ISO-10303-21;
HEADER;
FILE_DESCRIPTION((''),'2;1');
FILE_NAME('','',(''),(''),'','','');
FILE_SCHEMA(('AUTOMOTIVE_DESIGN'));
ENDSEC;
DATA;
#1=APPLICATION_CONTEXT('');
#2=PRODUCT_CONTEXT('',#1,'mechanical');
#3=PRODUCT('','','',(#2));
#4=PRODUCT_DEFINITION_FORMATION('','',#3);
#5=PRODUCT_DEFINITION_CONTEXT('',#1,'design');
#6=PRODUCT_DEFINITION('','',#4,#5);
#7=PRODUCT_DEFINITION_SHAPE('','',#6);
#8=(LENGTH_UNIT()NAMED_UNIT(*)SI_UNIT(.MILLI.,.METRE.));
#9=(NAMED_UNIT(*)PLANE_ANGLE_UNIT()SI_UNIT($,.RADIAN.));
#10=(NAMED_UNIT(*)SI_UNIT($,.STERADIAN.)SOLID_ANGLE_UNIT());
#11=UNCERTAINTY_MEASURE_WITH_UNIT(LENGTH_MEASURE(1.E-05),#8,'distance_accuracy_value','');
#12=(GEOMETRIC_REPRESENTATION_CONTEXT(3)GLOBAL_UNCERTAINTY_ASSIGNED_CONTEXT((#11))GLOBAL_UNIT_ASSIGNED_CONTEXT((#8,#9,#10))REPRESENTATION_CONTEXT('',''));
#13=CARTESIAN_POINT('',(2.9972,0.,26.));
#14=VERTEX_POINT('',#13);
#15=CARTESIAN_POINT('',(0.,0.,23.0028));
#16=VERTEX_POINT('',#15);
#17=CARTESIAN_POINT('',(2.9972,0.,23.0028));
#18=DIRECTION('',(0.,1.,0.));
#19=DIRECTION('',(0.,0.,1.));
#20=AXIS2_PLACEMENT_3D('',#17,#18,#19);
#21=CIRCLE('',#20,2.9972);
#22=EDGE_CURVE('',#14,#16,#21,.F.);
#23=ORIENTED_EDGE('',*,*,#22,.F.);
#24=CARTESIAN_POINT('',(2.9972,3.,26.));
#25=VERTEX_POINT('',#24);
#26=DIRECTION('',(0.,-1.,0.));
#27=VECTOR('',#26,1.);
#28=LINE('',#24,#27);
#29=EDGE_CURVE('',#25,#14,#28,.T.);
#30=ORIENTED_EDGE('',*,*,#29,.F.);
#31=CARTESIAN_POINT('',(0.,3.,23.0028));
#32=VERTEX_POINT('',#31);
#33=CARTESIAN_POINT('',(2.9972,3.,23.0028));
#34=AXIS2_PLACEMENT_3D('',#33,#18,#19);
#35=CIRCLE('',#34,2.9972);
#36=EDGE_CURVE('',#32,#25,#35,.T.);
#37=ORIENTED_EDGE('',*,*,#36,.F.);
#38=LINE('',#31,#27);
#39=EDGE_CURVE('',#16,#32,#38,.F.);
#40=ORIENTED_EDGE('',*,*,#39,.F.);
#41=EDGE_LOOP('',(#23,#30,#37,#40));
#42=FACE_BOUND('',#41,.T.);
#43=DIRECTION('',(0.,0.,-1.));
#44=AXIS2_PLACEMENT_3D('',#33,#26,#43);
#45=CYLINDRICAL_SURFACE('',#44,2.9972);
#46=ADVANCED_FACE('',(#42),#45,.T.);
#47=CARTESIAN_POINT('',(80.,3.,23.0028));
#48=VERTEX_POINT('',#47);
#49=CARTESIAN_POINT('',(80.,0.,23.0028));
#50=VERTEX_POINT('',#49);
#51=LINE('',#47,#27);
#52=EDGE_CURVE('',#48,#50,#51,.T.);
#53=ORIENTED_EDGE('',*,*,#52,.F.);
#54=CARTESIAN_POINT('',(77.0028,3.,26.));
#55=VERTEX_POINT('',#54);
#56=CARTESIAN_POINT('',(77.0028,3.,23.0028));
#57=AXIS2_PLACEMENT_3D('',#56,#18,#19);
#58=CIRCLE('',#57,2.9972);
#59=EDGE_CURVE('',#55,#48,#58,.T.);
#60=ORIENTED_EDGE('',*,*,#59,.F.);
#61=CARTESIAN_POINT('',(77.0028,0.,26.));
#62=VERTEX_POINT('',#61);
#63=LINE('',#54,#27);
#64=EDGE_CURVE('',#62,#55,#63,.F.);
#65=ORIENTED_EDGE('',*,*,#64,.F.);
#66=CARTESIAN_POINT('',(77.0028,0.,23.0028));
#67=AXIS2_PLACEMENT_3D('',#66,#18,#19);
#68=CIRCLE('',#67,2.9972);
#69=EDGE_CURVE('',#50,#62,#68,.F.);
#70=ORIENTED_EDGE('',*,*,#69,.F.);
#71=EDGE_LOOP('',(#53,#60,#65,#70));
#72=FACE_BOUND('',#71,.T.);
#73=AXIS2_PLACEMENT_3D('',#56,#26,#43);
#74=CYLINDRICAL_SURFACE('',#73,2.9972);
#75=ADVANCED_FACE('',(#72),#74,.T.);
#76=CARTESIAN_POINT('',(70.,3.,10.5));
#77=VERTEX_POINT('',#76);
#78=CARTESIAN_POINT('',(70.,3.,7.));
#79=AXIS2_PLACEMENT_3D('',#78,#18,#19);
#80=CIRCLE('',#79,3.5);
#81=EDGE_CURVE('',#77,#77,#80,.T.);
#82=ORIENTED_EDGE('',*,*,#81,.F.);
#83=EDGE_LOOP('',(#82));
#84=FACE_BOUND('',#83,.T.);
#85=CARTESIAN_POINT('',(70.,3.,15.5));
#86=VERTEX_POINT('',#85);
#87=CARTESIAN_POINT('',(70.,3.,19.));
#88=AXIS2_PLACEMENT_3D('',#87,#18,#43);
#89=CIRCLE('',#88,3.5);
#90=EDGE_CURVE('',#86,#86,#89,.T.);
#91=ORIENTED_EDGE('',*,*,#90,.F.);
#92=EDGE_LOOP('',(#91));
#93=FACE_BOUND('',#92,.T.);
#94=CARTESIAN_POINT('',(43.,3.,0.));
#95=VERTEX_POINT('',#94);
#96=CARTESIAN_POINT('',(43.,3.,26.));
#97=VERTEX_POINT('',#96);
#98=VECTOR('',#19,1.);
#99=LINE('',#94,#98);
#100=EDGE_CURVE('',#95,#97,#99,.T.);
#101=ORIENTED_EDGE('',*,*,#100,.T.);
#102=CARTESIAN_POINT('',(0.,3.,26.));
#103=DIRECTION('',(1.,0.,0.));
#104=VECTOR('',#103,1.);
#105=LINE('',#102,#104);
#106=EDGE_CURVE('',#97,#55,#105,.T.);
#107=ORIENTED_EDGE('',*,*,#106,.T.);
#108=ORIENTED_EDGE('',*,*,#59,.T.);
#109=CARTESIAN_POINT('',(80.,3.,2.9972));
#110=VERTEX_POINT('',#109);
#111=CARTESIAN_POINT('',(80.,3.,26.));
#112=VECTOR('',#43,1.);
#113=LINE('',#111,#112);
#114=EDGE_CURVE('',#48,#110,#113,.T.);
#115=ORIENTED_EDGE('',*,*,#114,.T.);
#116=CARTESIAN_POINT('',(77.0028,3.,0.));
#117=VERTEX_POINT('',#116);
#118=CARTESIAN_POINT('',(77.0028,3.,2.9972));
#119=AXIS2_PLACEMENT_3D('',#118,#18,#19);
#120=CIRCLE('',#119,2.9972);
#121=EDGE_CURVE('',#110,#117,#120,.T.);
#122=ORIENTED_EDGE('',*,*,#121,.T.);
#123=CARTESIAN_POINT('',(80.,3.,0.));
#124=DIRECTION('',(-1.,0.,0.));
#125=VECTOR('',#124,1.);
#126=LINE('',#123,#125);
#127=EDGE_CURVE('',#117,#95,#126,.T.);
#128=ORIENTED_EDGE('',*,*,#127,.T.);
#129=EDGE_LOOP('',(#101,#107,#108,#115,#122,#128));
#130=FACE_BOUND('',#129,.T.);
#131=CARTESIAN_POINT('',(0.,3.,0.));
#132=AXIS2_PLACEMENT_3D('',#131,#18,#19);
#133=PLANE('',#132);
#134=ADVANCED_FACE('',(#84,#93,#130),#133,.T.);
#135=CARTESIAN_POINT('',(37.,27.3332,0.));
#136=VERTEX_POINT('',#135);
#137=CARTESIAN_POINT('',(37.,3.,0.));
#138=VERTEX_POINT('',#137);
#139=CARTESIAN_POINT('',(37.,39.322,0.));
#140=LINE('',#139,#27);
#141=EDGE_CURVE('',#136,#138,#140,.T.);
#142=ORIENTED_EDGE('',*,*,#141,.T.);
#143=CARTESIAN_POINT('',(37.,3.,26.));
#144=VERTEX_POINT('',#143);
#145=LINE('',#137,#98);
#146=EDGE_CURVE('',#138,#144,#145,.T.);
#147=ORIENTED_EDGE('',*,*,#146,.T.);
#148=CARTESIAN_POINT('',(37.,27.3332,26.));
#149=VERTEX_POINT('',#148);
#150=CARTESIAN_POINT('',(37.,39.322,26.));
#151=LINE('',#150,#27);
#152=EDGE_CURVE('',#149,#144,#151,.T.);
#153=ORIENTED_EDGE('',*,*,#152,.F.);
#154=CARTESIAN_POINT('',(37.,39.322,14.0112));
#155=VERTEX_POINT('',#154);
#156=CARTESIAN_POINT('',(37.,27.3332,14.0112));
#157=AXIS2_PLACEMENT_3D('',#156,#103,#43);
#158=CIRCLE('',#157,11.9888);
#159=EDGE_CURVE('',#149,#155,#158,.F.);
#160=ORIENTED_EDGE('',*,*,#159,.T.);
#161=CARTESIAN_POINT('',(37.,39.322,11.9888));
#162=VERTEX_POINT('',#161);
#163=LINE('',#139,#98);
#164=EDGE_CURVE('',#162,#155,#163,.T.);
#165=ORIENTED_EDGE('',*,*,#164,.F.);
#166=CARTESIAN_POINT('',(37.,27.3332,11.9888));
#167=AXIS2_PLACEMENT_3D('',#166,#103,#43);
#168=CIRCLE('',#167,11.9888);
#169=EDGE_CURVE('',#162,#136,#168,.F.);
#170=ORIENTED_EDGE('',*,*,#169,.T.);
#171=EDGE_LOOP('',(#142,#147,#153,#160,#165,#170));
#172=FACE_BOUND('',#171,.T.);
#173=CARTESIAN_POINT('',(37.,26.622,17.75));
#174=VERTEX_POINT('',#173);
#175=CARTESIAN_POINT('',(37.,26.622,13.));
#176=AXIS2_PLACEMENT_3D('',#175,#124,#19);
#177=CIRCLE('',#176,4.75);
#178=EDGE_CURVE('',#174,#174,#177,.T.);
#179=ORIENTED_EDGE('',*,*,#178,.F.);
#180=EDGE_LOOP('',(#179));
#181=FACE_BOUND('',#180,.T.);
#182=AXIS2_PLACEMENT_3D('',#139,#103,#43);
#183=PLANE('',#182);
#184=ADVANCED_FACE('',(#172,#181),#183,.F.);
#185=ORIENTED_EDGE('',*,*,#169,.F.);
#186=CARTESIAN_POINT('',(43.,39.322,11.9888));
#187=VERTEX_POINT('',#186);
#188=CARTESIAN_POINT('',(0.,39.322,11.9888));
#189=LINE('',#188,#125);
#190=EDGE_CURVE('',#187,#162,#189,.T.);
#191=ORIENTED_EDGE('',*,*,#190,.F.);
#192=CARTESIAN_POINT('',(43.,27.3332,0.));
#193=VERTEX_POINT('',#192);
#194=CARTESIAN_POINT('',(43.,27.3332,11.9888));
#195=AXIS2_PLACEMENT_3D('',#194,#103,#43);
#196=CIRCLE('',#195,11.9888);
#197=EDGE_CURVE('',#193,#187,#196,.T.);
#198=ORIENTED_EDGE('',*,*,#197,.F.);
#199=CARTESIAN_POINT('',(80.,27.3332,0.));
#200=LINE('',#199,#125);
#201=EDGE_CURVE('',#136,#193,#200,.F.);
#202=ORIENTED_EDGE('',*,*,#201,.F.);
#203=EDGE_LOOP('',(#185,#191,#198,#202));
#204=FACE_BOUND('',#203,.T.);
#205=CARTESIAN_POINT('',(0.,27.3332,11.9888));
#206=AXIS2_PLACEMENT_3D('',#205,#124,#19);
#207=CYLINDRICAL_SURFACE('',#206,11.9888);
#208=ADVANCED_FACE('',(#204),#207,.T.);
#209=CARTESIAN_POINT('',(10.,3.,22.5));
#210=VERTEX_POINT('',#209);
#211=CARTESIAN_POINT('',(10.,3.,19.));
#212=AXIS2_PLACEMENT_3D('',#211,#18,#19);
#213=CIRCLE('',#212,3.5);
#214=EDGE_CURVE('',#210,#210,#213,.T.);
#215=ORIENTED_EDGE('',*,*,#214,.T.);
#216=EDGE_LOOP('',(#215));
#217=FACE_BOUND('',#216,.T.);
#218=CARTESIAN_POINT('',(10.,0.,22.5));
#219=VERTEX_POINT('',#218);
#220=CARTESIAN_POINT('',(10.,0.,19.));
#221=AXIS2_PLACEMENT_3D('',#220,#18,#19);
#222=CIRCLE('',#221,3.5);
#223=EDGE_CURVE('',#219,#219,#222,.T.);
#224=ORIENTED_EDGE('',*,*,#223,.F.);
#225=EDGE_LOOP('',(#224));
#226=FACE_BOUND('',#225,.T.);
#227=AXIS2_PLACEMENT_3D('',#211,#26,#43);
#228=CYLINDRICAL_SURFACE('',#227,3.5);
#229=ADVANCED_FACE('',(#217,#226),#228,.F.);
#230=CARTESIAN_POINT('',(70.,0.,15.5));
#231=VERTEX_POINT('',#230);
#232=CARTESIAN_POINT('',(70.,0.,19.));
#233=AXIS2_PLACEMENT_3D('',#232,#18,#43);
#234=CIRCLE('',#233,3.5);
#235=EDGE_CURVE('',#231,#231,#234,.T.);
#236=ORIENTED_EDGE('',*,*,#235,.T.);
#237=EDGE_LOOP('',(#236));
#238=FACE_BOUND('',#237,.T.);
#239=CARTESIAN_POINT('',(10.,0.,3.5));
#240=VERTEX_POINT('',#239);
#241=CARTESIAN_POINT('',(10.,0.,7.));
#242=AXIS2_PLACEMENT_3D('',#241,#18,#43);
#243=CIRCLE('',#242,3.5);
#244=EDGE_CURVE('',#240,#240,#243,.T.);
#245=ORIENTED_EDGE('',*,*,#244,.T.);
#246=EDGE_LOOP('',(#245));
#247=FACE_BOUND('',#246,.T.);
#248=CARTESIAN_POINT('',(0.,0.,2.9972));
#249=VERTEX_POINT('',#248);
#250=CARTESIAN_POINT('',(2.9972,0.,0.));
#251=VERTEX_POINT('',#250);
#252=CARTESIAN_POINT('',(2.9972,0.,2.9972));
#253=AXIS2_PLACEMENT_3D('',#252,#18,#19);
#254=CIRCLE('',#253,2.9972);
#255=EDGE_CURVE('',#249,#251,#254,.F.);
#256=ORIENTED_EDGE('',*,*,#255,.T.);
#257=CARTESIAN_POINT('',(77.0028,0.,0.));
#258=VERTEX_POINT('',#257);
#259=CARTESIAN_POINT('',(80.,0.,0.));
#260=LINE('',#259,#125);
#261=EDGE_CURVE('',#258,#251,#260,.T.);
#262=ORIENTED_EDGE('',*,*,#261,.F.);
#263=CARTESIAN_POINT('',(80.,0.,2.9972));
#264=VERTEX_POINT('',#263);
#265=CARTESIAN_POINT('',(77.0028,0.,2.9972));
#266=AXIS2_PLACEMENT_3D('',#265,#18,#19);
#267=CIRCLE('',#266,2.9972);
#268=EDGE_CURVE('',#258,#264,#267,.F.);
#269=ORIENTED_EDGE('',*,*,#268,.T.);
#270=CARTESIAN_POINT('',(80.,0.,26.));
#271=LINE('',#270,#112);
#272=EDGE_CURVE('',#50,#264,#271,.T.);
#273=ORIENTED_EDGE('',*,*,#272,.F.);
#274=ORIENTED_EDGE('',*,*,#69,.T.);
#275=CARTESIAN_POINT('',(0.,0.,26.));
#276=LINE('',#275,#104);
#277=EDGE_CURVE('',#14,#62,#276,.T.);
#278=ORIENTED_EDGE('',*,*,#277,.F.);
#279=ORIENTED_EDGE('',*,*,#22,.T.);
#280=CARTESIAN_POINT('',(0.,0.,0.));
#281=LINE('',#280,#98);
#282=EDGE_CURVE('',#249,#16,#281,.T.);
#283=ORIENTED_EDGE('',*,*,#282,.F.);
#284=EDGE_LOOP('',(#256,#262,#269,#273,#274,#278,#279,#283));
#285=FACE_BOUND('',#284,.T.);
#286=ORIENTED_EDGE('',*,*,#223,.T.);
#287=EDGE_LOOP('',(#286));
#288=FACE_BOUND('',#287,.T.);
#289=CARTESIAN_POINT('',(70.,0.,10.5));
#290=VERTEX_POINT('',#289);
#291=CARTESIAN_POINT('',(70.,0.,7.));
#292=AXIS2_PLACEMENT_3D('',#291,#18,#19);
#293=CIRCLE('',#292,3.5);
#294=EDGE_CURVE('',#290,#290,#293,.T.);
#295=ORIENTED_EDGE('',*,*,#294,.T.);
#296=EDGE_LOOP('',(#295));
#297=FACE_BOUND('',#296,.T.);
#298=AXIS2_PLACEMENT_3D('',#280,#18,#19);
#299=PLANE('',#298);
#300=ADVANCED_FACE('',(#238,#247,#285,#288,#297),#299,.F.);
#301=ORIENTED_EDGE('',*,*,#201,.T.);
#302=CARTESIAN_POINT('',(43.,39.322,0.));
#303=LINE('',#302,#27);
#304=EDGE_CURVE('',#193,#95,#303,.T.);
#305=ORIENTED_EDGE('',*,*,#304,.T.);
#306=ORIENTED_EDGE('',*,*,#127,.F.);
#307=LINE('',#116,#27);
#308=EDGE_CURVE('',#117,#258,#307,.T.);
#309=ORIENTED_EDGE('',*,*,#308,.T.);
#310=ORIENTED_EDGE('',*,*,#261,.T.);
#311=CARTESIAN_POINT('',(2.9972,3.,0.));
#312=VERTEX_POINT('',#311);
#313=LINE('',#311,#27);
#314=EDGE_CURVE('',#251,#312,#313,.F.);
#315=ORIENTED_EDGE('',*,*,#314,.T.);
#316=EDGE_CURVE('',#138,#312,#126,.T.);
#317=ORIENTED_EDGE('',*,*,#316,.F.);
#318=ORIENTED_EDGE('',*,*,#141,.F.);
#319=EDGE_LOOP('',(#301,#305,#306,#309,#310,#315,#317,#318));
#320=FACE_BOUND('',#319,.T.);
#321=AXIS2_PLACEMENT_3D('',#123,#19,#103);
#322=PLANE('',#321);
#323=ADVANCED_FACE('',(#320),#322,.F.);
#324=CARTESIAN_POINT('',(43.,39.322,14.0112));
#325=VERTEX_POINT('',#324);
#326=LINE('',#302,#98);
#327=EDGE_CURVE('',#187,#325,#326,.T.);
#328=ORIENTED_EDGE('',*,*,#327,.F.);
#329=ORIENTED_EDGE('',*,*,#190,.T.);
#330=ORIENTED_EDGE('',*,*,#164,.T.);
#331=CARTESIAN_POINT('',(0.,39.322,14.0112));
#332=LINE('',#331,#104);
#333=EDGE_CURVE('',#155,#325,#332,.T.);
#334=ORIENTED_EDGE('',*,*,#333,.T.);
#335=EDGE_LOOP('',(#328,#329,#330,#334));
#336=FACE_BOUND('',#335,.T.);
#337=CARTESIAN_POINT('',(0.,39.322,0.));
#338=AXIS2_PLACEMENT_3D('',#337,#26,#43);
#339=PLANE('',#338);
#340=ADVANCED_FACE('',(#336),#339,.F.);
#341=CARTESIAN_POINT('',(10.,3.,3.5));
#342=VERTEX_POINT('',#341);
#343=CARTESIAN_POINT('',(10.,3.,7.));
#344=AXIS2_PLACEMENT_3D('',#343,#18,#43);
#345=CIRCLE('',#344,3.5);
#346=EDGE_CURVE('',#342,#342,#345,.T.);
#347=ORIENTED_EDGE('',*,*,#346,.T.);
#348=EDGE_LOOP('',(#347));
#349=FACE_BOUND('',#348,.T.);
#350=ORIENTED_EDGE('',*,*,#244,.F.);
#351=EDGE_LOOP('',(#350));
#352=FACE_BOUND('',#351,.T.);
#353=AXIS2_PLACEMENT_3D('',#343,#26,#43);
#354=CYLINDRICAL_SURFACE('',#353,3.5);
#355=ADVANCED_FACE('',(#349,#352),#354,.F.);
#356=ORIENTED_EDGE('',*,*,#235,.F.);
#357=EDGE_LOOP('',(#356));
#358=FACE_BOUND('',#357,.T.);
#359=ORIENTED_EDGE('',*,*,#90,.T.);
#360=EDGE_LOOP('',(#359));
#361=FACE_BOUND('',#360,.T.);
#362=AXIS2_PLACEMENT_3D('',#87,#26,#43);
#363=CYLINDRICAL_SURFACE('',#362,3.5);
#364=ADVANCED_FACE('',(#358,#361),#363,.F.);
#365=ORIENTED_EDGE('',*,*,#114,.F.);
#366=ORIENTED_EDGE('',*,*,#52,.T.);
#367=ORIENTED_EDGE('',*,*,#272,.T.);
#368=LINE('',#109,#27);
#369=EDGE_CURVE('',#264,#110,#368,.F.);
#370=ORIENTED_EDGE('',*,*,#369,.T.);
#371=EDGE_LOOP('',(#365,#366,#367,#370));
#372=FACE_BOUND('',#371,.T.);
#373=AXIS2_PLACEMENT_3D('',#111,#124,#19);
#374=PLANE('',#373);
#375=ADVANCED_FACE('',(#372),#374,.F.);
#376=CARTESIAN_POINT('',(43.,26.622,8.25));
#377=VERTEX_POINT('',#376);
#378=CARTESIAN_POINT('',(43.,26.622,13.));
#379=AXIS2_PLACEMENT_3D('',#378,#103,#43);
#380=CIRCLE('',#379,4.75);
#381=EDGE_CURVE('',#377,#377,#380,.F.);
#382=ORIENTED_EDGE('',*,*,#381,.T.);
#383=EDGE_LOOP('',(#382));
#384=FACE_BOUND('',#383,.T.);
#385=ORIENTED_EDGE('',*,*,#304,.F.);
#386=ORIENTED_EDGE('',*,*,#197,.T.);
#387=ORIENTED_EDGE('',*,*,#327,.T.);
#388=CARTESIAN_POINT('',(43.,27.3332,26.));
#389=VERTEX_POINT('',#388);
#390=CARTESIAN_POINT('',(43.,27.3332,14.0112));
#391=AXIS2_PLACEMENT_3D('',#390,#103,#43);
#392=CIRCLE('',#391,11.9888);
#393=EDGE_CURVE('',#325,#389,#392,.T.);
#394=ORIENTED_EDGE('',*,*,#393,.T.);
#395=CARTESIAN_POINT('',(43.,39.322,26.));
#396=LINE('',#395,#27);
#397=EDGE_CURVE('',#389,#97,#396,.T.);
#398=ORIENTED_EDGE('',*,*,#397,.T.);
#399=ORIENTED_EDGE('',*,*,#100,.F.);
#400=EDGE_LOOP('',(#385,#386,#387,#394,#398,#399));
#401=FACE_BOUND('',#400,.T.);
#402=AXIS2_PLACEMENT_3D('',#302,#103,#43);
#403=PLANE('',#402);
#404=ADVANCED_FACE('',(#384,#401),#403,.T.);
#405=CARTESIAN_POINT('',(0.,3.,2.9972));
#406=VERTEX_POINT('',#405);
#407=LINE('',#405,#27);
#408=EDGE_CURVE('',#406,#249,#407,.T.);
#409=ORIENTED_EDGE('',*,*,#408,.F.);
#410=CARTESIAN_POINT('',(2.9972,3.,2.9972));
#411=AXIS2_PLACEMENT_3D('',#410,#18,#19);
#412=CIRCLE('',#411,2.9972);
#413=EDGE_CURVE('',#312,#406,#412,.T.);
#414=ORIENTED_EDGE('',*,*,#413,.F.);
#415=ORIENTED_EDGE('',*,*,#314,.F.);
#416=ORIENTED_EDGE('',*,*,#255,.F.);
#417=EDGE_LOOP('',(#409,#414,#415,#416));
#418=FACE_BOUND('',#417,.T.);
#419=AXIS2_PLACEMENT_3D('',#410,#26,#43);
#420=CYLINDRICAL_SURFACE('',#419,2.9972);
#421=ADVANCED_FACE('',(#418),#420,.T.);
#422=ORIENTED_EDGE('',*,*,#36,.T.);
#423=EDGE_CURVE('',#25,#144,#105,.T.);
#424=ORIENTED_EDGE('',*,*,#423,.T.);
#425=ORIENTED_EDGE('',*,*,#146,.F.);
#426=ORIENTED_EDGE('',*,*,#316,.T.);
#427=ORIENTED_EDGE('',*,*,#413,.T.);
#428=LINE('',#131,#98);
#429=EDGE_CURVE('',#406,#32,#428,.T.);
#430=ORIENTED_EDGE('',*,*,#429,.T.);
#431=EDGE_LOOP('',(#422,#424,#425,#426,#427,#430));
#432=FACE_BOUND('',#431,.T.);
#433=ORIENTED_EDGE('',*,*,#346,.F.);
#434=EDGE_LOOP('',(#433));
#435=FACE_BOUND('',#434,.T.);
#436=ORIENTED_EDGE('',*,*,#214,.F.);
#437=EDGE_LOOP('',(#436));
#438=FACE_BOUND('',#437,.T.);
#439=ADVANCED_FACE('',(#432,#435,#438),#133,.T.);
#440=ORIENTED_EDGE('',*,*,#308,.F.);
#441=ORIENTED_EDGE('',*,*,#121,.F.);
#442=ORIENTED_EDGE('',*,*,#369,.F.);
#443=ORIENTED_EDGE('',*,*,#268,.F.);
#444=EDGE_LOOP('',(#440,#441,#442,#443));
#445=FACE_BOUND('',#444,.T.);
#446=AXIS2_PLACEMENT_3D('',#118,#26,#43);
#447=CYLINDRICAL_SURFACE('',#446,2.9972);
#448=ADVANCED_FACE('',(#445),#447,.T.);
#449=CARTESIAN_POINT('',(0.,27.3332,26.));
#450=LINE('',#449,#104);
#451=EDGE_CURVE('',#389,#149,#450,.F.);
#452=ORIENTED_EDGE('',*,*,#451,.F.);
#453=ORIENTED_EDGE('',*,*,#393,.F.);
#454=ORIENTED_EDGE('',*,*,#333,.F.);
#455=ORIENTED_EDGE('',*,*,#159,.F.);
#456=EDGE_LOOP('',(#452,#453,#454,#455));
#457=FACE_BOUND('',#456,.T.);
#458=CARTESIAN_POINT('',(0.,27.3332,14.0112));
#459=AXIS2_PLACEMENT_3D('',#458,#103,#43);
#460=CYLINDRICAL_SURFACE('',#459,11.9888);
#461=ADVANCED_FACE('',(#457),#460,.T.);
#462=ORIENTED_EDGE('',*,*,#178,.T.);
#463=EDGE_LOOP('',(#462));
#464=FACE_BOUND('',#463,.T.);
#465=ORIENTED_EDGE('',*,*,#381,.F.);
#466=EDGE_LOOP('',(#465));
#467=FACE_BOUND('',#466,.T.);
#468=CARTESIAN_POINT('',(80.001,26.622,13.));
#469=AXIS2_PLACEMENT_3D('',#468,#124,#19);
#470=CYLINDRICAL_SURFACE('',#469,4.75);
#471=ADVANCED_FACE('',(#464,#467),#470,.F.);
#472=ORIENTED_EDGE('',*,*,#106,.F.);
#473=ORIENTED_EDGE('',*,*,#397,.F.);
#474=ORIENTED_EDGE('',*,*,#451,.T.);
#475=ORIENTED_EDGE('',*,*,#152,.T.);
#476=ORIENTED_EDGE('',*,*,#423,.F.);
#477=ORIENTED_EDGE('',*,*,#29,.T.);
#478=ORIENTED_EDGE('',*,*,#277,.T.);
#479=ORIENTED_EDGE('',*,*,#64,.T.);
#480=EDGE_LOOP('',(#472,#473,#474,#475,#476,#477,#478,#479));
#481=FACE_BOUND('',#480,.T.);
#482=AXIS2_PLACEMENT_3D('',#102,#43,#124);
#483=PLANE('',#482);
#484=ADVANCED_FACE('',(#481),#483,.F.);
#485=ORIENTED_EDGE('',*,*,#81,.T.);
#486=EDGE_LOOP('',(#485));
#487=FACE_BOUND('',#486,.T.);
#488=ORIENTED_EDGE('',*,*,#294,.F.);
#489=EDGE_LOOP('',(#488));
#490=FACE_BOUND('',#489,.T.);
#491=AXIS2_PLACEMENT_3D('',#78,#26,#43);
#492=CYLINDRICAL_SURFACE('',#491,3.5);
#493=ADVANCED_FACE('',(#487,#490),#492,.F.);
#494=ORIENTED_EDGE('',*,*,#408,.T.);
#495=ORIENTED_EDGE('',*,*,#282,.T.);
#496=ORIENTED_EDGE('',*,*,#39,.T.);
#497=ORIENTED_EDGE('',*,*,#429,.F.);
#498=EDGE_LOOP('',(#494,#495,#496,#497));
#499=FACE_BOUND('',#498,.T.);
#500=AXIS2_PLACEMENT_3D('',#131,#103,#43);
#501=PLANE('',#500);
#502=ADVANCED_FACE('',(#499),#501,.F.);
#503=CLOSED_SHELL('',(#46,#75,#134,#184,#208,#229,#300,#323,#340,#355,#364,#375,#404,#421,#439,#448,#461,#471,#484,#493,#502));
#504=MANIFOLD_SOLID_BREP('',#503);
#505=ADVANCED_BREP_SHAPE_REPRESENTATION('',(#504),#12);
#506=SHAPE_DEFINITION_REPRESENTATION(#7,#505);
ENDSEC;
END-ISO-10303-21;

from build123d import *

# Parameters (mm, degrees)
SKETCH1_W           = 80
SKETCH1_H           = 26
SKETCH1_R           = 3.5
BOSS_EXTRUDE1_DEPTH = 3
FILLET1_R           = 2.9972
BOSS_EXTRUDE2_DEPTH = 36.322
FILLET2_R           = 11.9888
CUT_EXTRUDE1_REACH  = 45
SKETCH3_R           = 4.75


with BuildPart() as part:
    # Sketch1 → Boss-Extrude1 (new body)
    with BuildSketch(Plane(origin=(0, 0, 0), x_dir=(1, 0, 0), z_dir=(0, 1, 0))):
        with Locations((40, -13)):
            Rectangle(SKETCH1_W, SKETCH1_H)
        with Locations(Location((10, -19, 0), (0, 0, 270))):  # turned: the seam where the file's is
            Circle(SKETCH1_R, mode=Mode.SUBTRACT)
        with Locations(Location((10, -7, 0), (0, 0, 90))):  # turned: the seam where the file's is
            Circle(SKETCH1_R, mode=Mode.SUBTRACT)
        with Locations(Location((70, -7, 0), (0, 0, 270))):  # turned: the seam where the file's is
            Circle(SKETCH1_R, mode=Mode.SUBTRACT)
        with Locations(Location((70, -19, 0), (0, 0, 90))):  # turned: the seam where the file's is
            Circle(SKETCH1_R, mode=Mode.SUBTRACT)
    extrude(amount=BOSS_EXTRUDE1_DEPTH)

    # Fillet1
    fillet1_edges = [part.edges().sort_by_distance(p)[0] for p in [
        (0, 1.5, 0),
        (80, 1.5, 0),
        (80, 1.5, 26),
        (0, 1.5, 26),
    ]]
    fillet(fillet1_edges, radius=FILLET1_R)

    # Sketch2 → Boss-Extrude2 (add)
    with BuildSketch(Plane(origin=(0, 3, 0), x_dir=(1, 0, 0), z_dir=(0, 1, 0))):
        Polygon((43, 0), (40, 0), (37, 0), (37, -26), (40, -26), (43, -26), align=None)
    extrude(amount=BOSS_EXTRUDE2_DEPTH)

    # Fillet2
    fillet2_edges = [part.edges().sort_by_distance(p)[0] for p in [
        (40, 39.322, 26),
        (40, 39.322, 0),
    ]]
    fillet(fillet2_edges, radius=FILLET2_R)

    # Sketch3 → Cut-Extrude1 (cut, up to next)
    with BuildSketch(Plane.ZY.offset(-37), mode=Mode.PRIVATE) as cut_extrude1_sk1:
        with Locations((13, 26.622)):
            Circle(SKETCH3_R)
    cut_extrude1_tool1 = extrude(cut_extrude1_sk1.sketch, amount=-CUT_EXTRUDE1_REACH, mode=Mode.PRIVATE) & part.part
    add(cut_extrude1_tool1.solids().sort_by_distance((37, 26.622, 13))[0], mode=Mode.SUBTRACT)


solid = part.part
